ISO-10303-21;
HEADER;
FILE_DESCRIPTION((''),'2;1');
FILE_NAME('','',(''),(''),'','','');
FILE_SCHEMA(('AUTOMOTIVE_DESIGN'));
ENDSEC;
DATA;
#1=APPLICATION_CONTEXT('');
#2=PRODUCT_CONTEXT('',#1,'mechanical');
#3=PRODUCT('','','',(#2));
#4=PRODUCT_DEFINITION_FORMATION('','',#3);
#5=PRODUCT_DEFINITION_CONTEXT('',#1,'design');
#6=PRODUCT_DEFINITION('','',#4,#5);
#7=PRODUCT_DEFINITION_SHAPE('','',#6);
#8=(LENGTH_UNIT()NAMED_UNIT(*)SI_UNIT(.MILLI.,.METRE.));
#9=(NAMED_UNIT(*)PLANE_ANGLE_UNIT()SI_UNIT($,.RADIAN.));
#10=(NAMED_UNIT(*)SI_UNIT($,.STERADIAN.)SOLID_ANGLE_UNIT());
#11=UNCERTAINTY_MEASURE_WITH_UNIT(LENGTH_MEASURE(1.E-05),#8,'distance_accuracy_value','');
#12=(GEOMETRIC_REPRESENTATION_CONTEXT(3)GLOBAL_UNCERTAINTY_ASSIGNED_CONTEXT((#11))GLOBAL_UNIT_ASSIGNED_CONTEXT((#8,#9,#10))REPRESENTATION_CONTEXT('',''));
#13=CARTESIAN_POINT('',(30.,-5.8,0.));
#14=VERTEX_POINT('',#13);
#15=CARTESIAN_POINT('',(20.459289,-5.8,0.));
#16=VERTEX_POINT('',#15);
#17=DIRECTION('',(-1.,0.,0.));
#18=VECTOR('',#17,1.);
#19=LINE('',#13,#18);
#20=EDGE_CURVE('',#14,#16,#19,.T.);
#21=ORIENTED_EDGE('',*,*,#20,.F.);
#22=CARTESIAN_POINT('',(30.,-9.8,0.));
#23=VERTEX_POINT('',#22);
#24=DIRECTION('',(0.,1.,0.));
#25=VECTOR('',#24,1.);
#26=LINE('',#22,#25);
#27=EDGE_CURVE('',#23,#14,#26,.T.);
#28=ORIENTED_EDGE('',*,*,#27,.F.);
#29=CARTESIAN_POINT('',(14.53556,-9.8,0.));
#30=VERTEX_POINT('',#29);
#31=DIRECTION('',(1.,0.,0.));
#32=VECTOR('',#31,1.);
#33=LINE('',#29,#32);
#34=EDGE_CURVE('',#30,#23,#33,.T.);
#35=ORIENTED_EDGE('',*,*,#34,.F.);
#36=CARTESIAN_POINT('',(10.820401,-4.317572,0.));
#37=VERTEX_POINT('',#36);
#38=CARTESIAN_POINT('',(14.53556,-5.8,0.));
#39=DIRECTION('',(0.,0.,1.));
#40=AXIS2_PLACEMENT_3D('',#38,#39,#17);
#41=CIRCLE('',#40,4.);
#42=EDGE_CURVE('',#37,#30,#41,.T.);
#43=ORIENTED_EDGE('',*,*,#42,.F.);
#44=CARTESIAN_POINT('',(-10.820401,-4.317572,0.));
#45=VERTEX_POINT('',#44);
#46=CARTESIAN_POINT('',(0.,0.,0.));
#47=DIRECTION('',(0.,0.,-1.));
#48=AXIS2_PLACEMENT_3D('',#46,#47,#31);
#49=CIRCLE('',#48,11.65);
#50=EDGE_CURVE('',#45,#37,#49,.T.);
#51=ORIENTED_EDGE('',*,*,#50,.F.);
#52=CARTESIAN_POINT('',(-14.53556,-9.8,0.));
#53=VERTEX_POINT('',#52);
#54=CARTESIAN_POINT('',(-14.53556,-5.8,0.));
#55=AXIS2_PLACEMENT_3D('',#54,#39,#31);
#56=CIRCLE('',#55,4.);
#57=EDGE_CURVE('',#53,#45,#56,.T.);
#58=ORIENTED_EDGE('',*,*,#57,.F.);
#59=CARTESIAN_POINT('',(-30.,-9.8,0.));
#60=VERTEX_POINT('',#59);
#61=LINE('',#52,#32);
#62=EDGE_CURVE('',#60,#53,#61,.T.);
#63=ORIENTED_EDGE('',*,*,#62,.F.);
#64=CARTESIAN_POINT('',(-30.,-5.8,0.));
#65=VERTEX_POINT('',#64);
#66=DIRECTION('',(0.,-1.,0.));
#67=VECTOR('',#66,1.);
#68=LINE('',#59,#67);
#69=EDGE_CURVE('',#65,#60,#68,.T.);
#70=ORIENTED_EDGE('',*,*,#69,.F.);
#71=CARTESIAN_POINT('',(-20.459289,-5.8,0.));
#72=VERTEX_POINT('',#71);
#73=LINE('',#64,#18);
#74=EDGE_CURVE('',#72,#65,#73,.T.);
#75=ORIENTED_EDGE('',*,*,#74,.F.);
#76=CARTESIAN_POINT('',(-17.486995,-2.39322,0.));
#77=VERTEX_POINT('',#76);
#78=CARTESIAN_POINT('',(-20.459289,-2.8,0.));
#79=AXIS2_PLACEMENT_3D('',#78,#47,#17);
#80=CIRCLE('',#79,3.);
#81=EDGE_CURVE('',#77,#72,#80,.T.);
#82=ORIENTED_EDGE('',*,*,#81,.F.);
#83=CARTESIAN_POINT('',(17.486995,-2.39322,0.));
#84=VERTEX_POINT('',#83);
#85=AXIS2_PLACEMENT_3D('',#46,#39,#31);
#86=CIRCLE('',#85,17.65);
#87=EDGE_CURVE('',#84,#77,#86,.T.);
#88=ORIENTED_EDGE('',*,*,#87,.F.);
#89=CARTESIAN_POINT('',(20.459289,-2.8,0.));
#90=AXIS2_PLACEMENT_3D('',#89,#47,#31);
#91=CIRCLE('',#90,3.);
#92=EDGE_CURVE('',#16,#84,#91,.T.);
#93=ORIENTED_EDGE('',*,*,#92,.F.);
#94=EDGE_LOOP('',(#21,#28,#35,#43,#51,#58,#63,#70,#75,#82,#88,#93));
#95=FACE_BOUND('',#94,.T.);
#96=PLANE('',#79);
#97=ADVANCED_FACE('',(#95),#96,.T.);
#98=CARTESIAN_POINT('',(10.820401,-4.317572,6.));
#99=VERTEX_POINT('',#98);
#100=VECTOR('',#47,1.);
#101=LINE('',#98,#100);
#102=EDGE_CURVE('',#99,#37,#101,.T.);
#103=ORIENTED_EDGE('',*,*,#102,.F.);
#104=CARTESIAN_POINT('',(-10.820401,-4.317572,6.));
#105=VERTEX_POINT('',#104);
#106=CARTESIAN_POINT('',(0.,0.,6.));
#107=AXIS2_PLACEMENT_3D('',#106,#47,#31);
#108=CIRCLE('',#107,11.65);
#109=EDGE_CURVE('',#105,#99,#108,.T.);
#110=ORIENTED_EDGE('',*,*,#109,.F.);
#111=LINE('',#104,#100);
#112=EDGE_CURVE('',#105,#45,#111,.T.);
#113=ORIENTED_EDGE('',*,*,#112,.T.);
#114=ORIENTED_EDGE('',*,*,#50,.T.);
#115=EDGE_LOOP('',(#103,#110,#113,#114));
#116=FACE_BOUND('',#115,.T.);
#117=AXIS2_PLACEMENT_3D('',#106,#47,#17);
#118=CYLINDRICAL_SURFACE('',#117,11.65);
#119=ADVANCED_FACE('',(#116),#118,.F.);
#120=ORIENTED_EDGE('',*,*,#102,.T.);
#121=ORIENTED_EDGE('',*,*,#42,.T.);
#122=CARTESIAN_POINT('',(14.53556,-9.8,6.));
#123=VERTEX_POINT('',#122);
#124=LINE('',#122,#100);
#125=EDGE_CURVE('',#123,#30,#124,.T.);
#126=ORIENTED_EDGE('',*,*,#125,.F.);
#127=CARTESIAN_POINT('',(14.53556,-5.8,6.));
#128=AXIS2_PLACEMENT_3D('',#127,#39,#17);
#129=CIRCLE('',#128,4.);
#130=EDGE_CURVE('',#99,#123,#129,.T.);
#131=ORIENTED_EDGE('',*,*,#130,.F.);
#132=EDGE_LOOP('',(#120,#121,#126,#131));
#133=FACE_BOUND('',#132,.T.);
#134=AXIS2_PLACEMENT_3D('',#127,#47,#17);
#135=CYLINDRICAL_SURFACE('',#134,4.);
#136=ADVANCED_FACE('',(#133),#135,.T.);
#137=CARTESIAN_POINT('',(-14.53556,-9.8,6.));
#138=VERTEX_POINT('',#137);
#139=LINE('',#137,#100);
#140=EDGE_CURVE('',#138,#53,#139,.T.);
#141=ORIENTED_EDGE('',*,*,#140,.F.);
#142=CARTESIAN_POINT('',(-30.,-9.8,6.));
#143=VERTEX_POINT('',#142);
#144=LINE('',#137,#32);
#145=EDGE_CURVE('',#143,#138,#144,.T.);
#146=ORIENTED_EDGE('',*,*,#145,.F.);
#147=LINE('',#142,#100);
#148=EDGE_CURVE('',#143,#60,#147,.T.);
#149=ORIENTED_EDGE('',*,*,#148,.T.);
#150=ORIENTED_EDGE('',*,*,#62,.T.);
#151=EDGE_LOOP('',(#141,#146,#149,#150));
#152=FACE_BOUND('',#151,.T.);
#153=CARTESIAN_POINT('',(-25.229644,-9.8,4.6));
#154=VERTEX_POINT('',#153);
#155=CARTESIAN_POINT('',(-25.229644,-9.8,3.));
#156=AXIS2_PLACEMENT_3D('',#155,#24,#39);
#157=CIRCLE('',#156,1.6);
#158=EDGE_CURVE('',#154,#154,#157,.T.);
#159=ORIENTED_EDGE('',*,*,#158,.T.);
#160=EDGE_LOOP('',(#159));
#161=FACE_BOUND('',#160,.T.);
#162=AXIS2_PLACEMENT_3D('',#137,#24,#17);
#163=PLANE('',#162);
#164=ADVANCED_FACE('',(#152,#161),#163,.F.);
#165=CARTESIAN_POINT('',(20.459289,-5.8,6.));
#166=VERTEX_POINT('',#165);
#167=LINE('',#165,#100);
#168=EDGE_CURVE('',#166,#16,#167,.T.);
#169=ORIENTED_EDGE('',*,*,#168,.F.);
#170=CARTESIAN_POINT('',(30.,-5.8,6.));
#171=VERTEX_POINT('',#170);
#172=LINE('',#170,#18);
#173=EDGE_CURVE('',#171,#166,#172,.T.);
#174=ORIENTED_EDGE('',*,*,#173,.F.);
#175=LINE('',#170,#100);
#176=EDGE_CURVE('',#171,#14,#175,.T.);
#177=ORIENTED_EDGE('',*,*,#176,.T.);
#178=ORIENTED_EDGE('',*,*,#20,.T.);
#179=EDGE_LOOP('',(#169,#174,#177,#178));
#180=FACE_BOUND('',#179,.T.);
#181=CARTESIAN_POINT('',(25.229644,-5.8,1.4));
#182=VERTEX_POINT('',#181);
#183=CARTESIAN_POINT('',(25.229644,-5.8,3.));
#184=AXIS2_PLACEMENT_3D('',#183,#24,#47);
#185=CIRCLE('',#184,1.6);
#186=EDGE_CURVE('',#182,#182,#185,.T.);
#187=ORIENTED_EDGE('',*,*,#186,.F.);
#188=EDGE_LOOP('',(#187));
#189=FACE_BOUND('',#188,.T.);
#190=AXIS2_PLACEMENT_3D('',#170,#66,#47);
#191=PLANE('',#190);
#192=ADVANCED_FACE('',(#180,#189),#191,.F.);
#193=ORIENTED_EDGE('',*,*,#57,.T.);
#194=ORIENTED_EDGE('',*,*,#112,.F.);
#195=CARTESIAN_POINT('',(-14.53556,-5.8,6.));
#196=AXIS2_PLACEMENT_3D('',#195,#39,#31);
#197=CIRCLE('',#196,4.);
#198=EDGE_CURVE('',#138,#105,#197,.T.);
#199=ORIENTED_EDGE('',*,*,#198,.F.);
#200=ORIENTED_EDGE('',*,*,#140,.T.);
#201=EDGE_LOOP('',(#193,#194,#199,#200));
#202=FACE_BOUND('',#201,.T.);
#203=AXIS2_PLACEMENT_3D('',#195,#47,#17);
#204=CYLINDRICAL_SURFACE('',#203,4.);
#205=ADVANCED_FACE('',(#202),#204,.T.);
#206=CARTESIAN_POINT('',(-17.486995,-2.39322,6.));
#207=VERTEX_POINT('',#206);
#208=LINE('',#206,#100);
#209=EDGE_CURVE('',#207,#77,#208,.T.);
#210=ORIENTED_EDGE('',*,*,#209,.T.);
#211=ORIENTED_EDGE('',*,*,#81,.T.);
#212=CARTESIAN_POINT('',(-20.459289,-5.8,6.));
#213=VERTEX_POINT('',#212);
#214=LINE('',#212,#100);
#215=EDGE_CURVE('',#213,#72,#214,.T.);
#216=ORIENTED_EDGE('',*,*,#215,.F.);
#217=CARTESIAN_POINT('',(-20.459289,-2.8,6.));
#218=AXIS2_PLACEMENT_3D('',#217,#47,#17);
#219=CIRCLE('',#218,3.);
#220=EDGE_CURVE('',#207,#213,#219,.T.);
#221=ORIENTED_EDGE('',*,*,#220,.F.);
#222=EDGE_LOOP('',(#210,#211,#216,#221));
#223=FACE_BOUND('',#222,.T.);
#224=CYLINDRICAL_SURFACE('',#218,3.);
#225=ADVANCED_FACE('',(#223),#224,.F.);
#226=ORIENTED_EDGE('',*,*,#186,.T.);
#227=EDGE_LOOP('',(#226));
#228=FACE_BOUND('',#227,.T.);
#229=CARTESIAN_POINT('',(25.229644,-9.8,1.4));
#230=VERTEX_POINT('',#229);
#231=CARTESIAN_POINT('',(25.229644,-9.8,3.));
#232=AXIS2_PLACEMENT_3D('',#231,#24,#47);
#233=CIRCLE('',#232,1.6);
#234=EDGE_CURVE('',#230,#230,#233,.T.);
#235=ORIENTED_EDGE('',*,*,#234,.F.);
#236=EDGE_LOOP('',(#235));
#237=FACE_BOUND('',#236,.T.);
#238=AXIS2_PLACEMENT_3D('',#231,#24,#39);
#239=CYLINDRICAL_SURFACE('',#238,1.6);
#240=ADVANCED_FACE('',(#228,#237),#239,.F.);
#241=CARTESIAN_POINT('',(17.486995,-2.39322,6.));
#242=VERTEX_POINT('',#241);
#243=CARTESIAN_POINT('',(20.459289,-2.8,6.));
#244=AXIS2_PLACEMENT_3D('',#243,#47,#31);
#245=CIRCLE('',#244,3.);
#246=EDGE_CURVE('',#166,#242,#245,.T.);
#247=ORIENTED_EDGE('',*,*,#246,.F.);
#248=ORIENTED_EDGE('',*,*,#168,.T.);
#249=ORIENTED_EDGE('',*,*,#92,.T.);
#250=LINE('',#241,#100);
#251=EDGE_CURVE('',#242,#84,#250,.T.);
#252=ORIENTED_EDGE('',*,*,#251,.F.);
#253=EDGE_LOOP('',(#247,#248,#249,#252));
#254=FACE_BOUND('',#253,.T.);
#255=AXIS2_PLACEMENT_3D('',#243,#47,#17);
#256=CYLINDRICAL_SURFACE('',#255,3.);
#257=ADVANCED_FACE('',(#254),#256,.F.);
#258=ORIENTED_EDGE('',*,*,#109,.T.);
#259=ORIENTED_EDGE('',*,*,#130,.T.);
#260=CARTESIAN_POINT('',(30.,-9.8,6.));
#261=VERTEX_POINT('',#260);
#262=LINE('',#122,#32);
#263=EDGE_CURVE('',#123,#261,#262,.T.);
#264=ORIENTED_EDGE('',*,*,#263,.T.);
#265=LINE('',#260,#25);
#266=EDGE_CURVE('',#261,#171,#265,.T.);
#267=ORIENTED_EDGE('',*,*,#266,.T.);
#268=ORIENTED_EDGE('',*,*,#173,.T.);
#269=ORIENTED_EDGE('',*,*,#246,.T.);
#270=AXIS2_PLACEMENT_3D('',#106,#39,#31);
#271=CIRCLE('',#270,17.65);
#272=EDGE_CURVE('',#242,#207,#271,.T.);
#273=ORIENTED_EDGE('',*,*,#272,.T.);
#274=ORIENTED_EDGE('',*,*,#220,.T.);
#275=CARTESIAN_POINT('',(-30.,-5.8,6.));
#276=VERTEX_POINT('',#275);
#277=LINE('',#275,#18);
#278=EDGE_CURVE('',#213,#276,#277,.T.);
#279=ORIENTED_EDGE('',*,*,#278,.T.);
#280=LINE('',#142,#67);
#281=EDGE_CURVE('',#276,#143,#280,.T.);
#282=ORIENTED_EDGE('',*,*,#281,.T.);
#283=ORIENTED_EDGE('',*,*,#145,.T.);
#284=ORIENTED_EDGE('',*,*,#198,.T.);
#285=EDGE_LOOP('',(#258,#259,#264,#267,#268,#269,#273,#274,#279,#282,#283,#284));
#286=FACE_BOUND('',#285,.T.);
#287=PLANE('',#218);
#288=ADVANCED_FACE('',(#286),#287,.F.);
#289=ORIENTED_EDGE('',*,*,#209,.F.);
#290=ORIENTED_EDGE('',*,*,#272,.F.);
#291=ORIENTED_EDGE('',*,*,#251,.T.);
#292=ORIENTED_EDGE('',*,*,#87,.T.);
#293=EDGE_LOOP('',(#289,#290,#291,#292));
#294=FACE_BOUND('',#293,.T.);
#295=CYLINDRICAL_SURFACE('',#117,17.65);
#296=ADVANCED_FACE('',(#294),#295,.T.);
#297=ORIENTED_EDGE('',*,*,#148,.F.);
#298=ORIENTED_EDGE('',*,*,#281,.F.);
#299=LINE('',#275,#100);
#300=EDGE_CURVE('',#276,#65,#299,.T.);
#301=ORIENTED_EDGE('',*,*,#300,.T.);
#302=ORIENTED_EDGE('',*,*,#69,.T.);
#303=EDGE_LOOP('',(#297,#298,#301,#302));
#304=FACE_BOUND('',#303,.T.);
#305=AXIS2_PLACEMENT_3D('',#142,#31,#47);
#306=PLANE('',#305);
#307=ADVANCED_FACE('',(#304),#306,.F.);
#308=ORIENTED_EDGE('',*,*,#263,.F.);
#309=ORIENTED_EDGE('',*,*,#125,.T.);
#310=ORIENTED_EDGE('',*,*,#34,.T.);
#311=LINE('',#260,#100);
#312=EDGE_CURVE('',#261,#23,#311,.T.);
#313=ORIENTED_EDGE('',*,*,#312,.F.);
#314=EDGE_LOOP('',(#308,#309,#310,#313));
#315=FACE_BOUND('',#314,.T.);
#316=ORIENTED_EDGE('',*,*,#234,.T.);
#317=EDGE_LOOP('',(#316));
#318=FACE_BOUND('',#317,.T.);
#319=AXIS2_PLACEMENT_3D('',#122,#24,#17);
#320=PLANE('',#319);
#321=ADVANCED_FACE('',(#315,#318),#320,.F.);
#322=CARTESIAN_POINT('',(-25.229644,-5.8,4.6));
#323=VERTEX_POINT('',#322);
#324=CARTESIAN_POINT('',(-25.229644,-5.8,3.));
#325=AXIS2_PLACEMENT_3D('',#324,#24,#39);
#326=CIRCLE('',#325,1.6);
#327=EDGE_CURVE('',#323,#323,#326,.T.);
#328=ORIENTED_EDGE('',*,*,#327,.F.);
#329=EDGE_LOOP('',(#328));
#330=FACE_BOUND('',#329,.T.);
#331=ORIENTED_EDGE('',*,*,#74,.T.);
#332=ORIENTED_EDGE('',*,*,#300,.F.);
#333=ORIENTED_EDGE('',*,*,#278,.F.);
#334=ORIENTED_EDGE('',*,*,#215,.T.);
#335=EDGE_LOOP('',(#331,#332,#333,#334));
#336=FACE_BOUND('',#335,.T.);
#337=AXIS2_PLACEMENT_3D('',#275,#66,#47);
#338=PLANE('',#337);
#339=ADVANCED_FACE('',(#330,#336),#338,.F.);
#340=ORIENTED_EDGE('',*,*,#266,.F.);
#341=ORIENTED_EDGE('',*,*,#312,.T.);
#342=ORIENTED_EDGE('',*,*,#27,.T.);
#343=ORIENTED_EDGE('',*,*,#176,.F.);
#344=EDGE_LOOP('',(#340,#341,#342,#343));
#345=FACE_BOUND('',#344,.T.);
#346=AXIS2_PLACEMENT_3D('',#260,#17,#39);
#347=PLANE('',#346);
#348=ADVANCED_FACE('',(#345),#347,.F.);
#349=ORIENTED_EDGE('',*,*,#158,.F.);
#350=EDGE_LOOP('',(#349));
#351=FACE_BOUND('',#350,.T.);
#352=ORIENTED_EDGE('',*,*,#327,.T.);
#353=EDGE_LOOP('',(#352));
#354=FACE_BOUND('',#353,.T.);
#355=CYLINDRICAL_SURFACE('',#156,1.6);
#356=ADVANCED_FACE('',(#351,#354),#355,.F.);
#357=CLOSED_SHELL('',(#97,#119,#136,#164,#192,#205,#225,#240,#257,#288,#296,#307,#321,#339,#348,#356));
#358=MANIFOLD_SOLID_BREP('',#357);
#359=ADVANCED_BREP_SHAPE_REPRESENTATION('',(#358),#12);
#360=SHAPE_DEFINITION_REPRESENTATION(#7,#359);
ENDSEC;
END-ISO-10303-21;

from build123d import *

# Parameters (mm, degrees)
BOSS_EXTRUDE1_DEPTH = 6
SKETCH2_R           = 1.6
CUT_EXTRUDE1_DEPTH  = 39.547405879


with BuildPart() as part:
    # Sketch1 → Boss-Extrude1 (new body)
    with BuildSketch(Plane.XY):
        with BuildLine():
            Line((-14.535559845, -9.8), (-30, -9.8))
            Line((-30, -9.8), (-30, -5.8))
            Line((-30, -5.8), (-20.459288844, -5.8))
            ThreePointArc((-20.459288844, -5.8), (-18.198720444, -4.772265324), (-17.486995065, -2.393220339))
            ThreePointArc((-17.486995065, -2.393220339), (0, 17.65), (17.486995065, -2.393220339))
            ThreePointArc((17.486995065, -2.393220339), (18.198720444, -4.772265324), (20.459288844, -5.8))
            Line((20.459288844, -5.8), (30, -5.8))
            Line((30, -5.8), (30, -9.8))
            Line((30, -9.8), (14.535559845, -9.8))
            ThreePointArc((14.535559845, -9.8), (11.224237416, -8.043912603), (10.820400779, -4.317571885))
            ThreePointArc((10.820400779, -4.317571885), (0, 11.65), (-10.820400779, -4.317571885))
            ThreePointArc((-10.820400779, -4.317571885), (-11.224237416, -8.043912603), (-14.535559845, -9.8))
        make_face()
    extrude(amount=BOSS_EXTRUDE1_DEPTH)

    # Sketch2 → Cut-Extrude1 (cut, through all)
    with BuildSketch(Plane(origin=(0, -5.8, 0), x_dir=(1, 0, 0), z_dir=(0, 1, 0))):
        with Locations(Location((-25.229644422, -3, 0), (0, 0, 270))):
            Circle(SKETCH2_R)
        with Locations(Location((25.229644422, -3, 0), (0, 0, 90))):
            Circle(SKETCH2_R)
    extrude(amount=-CUT_EXTRUDE1_DEPTH, mode=Mode.SUBTRACT)


solid = part.part
